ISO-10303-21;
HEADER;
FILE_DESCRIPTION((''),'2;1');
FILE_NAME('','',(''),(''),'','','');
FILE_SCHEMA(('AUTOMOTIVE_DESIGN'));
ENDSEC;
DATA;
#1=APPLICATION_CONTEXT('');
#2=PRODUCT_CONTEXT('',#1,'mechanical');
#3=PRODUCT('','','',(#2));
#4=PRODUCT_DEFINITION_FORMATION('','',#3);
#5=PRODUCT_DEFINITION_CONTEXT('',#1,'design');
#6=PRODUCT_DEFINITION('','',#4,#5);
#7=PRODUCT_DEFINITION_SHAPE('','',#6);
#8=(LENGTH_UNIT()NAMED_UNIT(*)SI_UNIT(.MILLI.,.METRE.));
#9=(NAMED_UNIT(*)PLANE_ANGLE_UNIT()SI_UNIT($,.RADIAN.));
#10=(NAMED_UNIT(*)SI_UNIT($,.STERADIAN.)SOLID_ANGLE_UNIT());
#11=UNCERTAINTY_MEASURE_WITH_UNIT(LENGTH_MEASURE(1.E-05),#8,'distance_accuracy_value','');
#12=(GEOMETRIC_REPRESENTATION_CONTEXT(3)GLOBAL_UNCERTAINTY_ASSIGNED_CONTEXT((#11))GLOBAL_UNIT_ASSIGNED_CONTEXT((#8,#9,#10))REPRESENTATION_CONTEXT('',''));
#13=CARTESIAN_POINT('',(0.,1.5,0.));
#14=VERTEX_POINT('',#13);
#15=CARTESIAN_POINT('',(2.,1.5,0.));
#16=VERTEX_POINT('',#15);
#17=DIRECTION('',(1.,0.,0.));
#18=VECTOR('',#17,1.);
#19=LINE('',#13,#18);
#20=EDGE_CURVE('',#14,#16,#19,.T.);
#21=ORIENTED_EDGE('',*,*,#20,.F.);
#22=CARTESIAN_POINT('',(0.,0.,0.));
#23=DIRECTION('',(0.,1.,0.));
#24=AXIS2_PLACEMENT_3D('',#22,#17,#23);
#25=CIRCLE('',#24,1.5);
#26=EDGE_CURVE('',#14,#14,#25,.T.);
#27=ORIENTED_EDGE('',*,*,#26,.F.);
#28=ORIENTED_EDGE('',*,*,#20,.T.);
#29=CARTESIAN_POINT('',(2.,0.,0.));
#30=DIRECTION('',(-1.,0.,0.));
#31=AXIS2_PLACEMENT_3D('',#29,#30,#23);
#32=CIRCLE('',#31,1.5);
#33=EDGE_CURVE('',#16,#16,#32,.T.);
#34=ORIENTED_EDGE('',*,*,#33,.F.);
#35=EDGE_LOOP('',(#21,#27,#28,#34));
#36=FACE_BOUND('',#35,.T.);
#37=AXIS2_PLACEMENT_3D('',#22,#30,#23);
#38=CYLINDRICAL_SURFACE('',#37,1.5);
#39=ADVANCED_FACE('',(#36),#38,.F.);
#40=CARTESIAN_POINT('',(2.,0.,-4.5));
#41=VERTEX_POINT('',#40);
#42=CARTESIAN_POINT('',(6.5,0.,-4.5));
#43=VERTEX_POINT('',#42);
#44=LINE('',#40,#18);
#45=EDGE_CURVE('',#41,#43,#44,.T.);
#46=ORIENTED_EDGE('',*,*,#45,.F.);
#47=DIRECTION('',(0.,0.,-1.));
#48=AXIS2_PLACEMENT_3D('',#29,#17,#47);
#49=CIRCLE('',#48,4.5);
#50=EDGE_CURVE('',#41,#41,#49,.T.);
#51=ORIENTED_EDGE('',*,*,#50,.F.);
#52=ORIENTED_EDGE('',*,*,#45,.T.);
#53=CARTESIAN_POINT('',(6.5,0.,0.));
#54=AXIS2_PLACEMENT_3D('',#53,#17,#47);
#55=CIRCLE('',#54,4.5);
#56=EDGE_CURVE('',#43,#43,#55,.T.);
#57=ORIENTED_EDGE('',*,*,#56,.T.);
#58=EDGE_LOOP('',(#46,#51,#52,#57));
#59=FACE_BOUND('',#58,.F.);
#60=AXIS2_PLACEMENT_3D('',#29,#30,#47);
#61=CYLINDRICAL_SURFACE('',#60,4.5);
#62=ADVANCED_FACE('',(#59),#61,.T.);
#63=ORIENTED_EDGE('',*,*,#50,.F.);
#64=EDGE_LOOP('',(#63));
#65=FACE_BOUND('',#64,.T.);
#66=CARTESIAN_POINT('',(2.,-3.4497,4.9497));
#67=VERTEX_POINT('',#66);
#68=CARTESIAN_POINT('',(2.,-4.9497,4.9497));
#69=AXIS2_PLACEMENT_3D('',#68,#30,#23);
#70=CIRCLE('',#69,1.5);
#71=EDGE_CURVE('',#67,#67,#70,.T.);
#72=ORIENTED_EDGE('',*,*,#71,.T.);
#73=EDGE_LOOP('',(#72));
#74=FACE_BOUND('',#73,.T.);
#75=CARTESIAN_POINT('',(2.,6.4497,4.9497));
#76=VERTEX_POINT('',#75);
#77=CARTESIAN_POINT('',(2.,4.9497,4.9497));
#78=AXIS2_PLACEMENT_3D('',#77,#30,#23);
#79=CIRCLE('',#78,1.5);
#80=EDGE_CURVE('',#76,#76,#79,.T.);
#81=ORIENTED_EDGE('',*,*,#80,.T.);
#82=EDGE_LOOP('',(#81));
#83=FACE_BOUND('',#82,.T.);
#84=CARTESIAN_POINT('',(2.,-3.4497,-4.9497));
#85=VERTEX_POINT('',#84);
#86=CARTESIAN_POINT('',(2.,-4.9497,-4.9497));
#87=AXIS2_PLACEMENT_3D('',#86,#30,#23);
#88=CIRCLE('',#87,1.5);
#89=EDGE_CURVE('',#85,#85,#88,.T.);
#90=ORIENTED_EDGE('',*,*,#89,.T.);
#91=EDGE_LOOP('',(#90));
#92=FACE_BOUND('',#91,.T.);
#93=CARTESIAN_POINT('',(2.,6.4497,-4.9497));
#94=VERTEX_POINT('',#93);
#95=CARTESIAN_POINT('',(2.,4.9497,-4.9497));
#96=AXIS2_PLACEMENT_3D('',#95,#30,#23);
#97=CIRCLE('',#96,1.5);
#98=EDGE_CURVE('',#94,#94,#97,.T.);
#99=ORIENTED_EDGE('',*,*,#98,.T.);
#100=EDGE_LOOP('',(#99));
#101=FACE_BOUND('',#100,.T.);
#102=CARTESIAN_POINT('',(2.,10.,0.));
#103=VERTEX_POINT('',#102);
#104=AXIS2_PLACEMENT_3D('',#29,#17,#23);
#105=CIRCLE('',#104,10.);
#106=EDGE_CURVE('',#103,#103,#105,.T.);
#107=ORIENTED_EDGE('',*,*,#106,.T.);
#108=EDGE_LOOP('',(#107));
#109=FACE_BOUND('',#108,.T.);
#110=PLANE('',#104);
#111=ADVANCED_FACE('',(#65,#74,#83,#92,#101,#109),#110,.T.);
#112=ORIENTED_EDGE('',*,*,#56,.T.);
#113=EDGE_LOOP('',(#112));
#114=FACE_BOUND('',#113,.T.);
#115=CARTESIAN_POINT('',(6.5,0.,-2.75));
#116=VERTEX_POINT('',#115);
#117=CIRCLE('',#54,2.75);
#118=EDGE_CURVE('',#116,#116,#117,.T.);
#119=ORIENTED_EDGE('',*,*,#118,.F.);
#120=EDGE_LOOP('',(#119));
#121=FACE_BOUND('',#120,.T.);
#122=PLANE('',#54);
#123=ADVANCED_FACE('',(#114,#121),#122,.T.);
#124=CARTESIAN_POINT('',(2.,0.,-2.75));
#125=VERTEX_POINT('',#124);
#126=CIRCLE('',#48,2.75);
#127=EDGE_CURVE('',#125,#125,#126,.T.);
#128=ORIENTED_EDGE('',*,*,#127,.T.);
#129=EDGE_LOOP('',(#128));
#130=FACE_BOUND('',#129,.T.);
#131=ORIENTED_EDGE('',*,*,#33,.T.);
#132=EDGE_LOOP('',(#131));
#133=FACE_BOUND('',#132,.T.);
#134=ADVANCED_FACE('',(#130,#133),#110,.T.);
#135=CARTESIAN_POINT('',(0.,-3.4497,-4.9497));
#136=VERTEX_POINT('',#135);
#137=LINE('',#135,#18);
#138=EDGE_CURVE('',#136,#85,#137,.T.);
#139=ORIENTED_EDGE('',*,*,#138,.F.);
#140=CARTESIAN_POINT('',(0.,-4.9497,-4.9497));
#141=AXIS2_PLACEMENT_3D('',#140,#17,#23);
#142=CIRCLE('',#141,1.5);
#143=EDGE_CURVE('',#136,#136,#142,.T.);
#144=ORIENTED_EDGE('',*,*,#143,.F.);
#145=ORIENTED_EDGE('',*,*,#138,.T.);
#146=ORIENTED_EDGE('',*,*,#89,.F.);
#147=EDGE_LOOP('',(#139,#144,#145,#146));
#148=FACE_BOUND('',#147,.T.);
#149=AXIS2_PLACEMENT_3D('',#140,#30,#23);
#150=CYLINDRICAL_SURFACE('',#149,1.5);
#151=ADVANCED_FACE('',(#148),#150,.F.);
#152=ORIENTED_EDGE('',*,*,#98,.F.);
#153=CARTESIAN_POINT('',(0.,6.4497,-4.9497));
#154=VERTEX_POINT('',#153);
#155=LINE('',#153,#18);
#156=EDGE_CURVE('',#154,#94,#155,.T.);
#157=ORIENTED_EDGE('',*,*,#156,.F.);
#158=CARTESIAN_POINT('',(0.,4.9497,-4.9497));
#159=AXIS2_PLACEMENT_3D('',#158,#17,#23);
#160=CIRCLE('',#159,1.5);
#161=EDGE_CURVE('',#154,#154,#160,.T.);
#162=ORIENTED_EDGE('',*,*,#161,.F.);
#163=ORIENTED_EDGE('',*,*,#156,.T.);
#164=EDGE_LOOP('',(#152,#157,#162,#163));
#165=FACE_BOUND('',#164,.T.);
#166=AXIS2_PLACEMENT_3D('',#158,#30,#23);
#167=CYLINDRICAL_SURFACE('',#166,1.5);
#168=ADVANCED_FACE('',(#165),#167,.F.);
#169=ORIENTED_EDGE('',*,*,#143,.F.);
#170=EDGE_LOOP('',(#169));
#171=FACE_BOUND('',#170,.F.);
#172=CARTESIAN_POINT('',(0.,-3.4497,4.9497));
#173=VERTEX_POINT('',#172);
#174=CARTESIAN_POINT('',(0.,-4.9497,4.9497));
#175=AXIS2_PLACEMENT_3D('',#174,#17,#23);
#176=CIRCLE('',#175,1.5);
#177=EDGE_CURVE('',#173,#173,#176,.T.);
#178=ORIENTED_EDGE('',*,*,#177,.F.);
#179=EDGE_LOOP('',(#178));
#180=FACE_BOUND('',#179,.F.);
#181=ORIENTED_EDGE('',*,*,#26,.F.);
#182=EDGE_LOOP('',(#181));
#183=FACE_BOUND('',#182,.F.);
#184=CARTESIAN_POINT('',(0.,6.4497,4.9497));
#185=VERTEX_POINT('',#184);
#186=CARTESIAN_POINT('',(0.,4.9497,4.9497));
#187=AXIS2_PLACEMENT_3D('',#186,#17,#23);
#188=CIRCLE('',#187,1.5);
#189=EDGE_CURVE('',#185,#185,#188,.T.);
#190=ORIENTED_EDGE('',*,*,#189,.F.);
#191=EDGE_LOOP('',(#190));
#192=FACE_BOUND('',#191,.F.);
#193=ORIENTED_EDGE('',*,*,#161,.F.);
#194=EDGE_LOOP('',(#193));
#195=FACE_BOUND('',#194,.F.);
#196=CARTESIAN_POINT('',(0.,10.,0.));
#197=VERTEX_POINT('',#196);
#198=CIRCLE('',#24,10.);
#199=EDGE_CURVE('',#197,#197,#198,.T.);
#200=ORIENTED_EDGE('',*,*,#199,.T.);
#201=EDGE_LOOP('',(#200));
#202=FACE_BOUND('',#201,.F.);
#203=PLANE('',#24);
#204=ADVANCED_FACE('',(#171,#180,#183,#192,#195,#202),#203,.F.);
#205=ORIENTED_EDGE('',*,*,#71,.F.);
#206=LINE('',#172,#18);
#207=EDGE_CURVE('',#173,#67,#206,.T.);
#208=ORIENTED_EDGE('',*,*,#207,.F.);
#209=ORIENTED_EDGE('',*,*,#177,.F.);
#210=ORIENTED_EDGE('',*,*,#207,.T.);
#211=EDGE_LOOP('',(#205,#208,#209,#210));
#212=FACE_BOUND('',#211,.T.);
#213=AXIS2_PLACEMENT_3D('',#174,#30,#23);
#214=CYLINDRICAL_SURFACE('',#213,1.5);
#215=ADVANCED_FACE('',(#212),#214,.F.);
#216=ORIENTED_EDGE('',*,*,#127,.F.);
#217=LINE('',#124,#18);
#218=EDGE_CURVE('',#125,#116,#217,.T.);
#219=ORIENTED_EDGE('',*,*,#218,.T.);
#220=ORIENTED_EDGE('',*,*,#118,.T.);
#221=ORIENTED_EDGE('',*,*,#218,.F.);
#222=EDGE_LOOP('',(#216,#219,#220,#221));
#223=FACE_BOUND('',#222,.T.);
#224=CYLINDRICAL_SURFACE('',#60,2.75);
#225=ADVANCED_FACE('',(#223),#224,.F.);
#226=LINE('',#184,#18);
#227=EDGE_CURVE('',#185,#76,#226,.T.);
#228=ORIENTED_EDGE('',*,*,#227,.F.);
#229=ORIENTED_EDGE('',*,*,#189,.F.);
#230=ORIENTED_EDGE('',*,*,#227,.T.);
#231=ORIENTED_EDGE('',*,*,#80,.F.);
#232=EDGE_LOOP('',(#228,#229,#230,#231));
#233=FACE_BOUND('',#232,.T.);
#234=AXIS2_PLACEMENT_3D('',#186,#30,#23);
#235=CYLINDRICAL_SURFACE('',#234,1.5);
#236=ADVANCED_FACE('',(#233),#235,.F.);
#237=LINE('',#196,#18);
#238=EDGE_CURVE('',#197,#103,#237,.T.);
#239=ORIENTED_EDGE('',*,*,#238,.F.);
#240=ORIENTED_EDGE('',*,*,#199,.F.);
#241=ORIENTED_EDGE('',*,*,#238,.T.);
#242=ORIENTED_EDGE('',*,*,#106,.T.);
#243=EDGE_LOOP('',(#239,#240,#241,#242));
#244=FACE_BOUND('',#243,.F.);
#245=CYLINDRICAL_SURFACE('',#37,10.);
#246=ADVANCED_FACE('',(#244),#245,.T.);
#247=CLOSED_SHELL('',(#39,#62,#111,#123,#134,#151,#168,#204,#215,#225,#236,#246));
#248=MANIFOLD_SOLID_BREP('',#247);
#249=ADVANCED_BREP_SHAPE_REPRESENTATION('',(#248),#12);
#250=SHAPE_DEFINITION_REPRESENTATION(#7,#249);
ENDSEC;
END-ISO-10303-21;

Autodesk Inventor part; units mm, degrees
ref_plane "YZ Plane" through (0, 0, 0) normal (1, 0, 0) x (0, 1, 0)
ref_plane "XZ Plane" through (0, 0, 0) normal (0, 1, 0) x (-1, 0, 0)
ref_plane "XY Plane" through (0, 0, 0) normal (0, 0, 1) x (1, 0, 0)
sketch "Sketch1" plane through (0, 0, 0) normal (1, 0, 0) x (0, 1, 0)
  circle A0 centre (0, 0) radius 10
  circle A1 centre (4.9497, 4.9497) radius 1.5
  circle A2 centre (4.9497, -4.9497) radius 1.5
  circle A3 centre (-4.9497, 4.9497) radius 1.5
  circle A4 centre (-4.9497, -4.9497) radius 1.5
  line L0 (4.9497, 4.9497) -> (4.9497, -4.9497)
  line L1 (4.9497, -4.9497) -> (-4.9497, -4.9497)
  line L2 (-4.9497, -4.9497) -> (-4.9497, 4.9497)
  line L3 (-4.9497, 4.9497) -> (4.9497, 4.9497)
  line L4 (4.9497, 0) -> (0, 0)
  line L5 (4.9497, 4.9497) -> (-4.9497, -4.9497)
  circle A5 centre (0, 0) radius 1.5
  dimension "d0" = 20
  dimension "d1" = 3
  dimension "d2" = 3
  dimension "d3" = 3
  dimension "d4" = 3
  dimension "d7" = 14
  dimension "d10" = 3
extrude "Extrusion1" add sketch "Sketch1" along normal blind 2 contours A0 | A1 L5 A5 A4 L2 A3 L3 | L0 L4 A5 L5 A1 | L0 A2 L1 A4 L5 A5 L4
sketch "Sketch2" plane through (2, 0, 0) normal (1, 0, 0) x (0, 0, -1)
  circle A0 centre (0, 0) radius 2.75
  circle A1 centre (0, 0) radius 4.5
  dimension "d11" = 5.5
  dimension "d12" = 9
extrude "Extrusion2" add sketch "Sketch2" along normal blind 4.5
properties part number "ServoHornRound"
